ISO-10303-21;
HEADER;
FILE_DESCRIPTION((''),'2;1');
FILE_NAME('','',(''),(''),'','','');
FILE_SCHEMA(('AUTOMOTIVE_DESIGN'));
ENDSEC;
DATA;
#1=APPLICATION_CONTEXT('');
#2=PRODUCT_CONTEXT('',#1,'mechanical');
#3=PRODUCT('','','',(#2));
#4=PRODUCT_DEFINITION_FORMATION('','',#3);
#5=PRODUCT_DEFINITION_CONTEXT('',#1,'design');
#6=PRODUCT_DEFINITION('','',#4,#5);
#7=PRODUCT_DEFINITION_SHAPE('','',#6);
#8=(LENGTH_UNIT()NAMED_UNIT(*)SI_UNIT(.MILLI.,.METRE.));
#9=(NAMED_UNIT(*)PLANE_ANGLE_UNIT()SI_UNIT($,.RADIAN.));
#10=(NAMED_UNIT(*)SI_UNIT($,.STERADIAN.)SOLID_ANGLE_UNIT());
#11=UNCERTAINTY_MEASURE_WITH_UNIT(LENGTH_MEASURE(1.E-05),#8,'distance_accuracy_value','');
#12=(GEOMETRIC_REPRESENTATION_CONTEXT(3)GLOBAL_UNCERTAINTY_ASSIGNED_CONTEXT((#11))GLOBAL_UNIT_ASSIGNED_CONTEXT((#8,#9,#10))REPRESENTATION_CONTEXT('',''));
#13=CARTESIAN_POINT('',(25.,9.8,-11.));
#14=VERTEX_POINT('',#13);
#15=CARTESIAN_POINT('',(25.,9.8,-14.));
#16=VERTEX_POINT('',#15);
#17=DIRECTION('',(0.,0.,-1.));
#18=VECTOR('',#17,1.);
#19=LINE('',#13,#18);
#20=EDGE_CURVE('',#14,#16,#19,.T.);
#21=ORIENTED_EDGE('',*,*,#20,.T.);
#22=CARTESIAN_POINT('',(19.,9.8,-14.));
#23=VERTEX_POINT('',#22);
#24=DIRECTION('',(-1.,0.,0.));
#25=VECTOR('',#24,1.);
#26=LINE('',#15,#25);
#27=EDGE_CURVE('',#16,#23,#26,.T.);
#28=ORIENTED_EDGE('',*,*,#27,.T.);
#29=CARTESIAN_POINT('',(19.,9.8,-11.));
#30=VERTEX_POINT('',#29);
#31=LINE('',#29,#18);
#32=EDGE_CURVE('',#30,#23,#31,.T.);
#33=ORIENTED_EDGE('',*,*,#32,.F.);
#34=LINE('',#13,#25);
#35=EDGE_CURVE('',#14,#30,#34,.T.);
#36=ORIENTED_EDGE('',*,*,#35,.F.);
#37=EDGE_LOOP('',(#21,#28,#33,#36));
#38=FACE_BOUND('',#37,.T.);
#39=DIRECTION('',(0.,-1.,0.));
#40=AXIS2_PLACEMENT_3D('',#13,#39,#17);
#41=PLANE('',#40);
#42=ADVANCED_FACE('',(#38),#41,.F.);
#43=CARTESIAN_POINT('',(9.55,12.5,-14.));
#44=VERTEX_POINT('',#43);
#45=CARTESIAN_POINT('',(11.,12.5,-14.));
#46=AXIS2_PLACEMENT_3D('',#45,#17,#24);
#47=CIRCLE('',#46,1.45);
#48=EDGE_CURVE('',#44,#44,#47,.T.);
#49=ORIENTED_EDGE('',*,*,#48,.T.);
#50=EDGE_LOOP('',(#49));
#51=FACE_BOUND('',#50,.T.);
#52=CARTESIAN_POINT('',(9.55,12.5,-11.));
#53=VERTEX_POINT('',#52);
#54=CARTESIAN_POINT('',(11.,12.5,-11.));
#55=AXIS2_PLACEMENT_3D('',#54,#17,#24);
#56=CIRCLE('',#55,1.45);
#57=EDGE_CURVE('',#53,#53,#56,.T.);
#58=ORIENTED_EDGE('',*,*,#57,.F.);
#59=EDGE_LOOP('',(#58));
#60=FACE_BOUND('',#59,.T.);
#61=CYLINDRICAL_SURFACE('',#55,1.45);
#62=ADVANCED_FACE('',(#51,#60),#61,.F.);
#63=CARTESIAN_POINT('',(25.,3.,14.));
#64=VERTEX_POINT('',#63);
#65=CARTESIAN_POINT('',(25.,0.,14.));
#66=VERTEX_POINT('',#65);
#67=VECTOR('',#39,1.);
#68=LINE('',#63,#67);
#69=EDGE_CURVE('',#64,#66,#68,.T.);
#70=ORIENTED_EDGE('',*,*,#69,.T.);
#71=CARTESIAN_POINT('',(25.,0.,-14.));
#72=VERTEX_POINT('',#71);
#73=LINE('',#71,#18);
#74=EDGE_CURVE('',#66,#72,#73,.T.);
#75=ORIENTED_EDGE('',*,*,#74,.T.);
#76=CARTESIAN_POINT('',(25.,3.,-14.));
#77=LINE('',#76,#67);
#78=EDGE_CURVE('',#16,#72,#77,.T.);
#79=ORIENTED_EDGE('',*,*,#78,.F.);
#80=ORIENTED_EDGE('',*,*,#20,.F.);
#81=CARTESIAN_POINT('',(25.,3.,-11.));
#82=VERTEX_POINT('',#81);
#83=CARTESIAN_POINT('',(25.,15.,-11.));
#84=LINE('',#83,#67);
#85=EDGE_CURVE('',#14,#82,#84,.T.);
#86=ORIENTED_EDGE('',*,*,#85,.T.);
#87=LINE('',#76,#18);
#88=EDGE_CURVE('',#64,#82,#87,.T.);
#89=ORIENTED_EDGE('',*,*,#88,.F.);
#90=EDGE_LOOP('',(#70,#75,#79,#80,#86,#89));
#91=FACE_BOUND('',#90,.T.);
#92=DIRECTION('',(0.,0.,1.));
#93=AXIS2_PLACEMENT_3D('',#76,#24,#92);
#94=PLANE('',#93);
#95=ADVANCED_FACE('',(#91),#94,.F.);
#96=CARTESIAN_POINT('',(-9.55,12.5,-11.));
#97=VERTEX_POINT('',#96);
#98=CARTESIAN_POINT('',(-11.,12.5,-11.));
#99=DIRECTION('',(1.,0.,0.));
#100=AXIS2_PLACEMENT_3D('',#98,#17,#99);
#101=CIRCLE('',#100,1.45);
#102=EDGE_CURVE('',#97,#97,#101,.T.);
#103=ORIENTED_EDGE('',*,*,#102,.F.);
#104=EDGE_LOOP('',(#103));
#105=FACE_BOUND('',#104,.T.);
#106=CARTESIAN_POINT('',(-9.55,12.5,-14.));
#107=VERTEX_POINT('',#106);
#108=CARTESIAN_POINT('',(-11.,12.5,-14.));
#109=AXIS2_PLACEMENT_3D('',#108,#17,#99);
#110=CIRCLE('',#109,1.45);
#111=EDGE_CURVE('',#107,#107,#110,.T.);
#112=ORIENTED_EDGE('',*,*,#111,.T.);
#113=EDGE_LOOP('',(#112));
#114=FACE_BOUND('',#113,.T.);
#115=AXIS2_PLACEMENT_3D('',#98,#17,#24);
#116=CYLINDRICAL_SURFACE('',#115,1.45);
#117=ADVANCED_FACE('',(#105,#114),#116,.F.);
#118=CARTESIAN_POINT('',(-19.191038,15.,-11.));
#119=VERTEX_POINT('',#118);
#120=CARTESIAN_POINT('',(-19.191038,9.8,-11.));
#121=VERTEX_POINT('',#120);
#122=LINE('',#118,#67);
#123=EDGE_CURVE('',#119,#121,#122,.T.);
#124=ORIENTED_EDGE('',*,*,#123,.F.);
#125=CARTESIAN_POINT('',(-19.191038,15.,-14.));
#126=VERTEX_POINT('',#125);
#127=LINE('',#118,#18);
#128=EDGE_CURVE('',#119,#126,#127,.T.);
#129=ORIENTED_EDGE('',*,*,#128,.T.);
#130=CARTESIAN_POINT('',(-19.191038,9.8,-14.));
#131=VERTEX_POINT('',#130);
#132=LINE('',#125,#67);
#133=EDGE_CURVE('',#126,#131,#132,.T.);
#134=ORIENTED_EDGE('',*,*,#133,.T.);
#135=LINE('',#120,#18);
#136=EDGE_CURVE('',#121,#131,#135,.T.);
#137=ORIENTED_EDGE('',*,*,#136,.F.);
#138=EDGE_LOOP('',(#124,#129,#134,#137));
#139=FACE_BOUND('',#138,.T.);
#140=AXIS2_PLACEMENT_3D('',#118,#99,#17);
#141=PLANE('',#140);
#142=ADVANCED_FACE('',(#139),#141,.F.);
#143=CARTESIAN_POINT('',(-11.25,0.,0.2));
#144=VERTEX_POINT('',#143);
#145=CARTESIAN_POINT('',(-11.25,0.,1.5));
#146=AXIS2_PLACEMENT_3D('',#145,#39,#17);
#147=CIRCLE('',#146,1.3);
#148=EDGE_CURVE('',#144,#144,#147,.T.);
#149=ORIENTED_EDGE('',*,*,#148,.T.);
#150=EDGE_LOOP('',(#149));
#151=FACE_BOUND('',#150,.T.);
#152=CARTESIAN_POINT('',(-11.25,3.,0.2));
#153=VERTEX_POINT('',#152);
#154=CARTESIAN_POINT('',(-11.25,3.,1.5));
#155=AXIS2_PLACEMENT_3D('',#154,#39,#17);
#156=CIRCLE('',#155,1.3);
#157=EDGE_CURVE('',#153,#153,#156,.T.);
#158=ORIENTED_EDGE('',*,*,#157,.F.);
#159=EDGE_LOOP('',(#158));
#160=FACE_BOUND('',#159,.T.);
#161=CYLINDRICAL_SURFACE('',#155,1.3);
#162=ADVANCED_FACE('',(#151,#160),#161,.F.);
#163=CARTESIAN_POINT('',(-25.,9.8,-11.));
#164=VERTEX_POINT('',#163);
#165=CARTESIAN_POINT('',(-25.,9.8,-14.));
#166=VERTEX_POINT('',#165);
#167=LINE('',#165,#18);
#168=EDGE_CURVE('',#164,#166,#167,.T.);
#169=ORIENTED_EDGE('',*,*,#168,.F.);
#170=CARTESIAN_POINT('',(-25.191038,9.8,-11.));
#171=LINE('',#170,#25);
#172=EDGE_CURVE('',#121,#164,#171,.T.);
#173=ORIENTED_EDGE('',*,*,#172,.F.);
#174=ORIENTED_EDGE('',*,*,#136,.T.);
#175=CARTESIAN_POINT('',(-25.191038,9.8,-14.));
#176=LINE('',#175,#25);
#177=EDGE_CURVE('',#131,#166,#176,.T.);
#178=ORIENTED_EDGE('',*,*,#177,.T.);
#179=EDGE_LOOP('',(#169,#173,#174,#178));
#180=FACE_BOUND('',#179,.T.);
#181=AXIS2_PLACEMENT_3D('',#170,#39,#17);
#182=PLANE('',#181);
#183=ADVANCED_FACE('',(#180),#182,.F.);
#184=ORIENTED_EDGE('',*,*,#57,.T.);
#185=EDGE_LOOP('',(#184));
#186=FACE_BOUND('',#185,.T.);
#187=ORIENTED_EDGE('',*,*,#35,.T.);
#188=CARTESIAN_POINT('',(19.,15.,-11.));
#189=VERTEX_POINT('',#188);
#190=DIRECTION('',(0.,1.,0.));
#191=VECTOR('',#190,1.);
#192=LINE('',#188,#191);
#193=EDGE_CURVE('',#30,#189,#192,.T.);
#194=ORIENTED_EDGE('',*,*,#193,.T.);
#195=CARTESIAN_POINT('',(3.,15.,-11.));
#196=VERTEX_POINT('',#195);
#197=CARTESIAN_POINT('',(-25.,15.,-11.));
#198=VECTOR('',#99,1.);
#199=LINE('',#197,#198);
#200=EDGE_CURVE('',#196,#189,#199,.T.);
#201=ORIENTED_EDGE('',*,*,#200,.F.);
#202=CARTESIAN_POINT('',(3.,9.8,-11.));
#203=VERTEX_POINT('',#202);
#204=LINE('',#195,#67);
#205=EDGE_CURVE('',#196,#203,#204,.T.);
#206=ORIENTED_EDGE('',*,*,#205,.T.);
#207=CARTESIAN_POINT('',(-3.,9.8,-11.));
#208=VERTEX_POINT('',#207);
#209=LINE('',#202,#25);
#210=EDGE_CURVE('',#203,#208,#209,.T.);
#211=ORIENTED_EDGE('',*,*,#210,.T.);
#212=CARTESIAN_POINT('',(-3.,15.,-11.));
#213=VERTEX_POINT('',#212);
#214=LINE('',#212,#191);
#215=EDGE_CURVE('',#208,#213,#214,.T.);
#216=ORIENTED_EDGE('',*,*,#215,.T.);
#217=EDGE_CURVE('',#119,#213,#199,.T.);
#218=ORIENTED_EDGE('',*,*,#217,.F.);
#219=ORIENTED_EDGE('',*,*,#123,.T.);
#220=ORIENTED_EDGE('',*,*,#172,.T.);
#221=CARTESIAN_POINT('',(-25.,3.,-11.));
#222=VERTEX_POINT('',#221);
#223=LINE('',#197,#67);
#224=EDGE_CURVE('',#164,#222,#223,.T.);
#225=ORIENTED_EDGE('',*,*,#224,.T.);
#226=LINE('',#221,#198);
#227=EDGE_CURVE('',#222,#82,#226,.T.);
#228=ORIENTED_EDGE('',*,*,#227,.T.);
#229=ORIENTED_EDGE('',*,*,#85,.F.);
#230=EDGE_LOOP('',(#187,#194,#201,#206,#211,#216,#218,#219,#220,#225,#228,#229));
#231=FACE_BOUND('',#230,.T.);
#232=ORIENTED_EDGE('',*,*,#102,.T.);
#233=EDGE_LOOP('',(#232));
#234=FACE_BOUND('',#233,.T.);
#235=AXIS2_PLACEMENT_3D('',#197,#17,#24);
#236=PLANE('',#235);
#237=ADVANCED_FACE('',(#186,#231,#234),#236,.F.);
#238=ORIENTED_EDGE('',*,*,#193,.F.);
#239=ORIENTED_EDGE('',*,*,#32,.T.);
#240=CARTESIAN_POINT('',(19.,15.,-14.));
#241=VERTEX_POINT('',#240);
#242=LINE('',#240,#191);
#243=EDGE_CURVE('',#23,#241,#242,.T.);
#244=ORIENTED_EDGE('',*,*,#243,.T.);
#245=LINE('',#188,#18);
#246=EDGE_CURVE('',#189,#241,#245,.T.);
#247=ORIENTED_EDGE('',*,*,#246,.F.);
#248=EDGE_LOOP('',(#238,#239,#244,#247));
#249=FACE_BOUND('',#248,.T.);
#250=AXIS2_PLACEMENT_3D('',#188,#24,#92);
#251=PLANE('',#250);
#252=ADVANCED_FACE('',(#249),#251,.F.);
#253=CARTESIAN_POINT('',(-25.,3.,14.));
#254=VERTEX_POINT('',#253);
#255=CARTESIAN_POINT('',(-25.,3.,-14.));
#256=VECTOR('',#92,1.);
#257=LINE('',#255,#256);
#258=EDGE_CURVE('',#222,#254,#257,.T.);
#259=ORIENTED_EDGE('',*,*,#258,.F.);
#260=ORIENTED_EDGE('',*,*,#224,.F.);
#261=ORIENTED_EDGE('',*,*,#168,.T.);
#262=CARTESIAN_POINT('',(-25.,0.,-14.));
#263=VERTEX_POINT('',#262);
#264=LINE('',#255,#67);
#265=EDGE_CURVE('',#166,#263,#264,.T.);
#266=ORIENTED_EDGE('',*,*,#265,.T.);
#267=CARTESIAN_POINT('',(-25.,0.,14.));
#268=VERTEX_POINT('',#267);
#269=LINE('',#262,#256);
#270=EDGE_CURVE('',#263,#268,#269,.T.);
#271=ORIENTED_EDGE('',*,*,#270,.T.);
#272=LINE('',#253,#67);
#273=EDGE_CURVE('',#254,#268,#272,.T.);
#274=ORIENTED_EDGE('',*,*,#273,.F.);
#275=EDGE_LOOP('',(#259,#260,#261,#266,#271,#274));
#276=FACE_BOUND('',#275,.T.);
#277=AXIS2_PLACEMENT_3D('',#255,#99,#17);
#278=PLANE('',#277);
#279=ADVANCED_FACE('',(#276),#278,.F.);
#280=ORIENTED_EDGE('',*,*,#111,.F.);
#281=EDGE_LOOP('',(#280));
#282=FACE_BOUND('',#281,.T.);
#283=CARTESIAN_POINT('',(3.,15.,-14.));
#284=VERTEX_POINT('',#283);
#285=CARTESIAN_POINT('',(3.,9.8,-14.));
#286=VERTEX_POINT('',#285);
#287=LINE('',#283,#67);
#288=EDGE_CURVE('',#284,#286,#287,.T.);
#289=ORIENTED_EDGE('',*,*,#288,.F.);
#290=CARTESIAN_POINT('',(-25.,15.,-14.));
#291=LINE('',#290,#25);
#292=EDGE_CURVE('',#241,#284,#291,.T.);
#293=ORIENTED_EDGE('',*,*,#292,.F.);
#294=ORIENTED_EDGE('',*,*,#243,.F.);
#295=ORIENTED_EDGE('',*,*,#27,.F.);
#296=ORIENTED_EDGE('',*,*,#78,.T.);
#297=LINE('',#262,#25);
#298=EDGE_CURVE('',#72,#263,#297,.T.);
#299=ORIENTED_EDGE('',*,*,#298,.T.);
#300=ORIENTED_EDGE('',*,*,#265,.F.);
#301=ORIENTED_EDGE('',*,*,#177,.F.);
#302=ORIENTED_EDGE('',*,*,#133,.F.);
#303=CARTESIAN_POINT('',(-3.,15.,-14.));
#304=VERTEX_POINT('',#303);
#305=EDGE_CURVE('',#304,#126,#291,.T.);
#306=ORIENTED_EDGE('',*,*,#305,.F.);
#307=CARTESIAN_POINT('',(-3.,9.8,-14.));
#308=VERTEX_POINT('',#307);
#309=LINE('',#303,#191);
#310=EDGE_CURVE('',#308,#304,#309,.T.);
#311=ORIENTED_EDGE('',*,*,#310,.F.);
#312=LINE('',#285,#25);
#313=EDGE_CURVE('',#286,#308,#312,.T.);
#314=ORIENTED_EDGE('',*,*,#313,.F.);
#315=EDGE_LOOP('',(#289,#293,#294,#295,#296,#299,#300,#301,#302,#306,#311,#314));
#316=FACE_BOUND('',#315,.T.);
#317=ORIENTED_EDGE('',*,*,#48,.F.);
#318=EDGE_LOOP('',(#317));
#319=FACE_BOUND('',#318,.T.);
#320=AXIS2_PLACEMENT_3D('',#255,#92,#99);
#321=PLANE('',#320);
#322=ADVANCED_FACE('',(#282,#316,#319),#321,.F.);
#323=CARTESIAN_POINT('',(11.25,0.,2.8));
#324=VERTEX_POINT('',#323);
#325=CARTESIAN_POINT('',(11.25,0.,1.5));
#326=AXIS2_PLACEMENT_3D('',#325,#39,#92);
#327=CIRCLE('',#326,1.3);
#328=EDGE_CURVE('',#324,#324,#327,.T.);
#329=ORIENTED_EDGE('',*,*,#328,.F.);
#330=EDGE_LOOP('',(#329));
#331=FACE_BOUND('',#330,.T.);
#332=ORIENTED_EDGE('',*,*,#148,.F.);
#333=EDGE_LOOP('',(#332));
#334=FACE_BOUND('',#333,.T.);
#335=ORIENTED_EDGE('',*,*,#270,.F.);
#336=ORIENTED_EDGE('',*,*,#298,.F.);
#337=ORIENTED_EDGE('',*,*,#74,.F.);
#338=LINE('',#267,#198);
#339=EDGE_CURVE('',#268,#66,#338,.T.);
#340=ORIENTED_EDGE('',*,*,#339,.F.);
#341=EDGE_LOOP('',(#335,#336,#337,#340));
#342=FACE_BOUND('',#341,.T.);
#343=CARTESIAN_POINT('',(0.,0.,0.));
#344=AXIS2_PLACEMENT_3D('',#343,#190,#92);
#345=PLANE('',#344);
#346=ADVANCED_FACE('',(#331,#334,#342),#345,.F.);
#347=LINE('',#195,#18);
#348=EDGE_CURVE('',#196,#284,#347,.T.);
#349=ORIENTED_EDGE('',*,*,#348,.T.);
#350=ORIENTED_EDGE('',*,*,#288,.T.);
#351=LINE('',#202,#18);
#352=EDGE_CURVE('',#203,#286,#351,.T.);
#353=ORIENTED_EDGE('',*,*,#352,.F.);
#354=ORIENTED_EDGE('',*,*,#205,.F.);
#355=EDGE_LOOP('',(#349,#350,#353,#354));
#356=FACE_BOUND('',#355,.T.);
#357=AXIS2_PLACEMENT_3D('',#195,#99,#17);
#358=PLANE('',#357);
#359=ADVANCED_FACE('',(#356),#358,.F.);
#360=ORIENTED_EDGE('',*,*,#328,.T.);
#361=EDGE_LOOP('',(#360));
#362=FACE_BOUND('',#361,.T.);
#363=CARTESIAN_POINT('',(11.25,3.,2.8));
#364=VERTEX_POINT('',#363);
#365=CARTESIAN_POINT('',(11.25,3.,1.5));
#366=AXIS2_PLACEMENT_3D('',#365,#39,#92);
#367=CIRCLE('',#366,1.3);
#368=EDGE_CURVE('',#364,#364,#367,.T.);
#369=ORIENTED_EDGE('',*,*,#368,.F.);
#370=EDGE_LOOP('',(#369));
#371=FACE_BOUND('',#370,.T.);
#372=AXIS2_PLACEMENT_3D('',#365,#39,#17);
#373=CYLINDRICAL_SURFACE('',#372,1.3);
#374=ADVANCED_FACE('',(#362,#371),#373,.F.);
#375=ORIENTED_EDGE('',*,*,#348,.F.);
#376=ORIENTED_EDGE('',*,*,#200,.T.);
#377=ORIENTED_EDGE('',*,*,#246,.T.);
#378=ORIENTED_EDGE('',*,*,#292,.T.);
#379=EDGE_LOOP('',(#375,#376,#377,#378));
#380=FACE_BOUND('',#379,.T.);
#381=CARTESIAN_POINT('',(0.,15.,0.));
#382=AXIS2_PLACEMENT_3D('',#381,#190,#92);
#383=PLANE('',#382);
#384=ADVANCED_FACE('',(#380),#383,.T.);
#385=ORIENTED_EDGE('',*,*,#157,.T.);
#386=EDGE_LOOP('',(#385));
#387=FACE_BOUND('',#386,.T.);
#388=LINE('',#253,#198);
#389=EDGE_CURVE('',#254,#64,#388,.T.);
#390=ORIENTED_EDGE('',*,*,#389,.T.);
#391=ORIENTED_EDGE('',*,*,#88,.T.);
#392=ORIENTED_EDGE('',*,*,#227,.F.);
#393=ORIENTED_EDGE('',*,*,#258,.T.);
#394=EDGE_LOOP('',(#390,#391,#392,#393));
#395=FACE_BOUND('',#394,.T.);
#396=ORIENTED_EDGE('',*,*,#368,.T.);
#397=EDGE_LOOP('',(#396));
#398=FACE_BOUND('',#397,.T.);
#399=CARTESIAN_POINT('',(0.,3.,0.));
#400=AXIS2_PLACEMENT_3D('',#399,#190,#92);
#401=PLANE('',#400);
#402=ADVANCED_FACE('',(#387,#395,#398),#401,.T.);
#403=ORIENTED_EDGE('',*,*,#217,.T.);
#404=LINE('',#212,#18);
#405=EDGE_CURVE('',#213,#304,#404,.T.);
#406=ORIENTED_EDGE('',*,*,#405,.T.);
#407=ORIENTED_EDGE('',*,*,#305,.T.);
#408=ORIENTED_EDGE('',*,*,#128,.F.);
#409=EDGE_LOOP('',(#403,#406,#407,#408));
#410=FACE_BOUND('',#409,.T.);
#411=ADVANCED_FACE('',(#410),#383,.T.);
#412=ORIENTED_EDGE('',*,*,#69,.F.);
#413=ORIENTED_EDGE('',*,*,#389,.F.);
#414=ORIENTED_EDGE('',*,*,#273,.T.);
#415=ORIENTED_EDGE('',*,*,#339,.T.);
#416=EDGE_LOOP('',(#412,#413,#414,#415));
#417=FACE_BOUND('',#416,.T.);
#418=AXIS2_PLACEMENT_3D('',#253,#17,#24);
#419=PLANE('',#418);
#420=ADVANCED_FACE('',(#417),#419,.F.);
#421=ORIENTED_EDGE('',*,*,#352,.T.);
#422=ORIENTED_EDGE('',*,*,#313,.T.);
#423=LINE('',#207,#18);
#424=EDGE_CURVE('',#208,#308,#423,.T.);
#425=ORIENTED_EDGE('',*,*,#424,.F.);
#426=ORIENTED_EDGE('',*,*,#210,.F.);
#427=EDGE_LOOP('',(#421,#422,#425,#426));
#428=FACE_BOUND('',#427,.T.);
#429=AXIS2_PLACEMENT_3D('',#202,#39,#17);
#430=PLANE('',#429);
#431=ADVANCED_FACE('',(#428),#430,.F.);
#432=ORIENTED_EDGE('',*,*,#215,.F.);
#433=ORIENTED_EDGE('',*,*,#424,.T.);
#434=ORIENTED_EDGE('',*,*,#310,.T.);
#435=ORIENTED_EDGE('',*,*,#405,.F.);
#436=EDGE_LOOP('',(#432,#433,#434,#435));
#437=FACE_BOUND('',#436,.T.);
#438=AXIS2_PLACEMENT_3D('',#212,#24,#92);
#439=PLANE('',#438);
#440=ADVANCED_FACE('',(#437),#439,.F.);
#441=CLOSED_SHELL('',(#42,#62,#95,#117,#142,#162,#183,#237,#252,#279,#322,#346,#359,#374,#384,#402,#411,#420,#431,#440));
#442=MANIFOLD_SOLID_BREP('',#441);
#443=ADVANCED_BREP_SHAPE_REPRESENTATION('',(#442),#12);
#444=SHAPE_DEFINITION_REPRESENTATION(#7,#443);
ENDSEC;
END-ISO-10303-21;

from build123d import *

# Parameters (mm, degrees)
SKETCH1_W           = 50
SKETCH1_H           = 28
BOSS_EXTRUDE1_DEPTH = 3
SKETCH2_W           = 50
SKETCH2_H           = 3
BOSS_EXTRUDE2_DEPTH = 12
SKETCH6_W           = 6
SKETCH6_H           = 5.2
CUT_EXTRUDE2_DEPTH  = 3
SKETCH7_R           = 1.3
CUT_EXTRUDE3_DEPTH  = 3
SKETCH8_R           = 1.45
CUT_EXTRUDE4_DEPTH  = 3


with BuildPart() as part:
    # Sketch1 → Boss-Extrude1 (new body)
    with BuildSketch(Plane(origin=(0, 0, 0), x_dir=(1, 0, 0), z_dir=(0, 1, 0))):
        Rectangle(SKETCH1_W, SKETCH1_H)
    extrude(amount=BOSS_EXTRUDE1_DEPTH)

    # Sketch2 → Boss-Extrude2 (add)
    with BuildSketch(Plane(origin=(0, 3, 0), x_dir=(1, 0, 0), z_dir=(0, 1, 0))):
        with Locations((0, 12.5)):
            Rectangle(SKETCH2_W, SKETCH2_H)
    extrude(amount=BOSS_EXTRUDE2_DEPTH)

    # Sketch6 → Cut-Extrude2 (cut)
    with BuildSketch(Plane(origin=(0, 0, -14), x_dir=(-1, 0, 0), z_dir=(0, 0, -1))):
        with Locations((-22, 12.4)):
            Rectangle(SKETCH6_W, SKETCH6_H)
        with Locations((0, 12.4)):
            Rectangle(SKETCH6_W, SKETCH6_H)
        with Locations((22.191038301, 12.4)):
            Rectangle(SKETCH6_W, SKETCH6_H)
    extrude(amount=-CUT_EXTRUDE2_DEPTH, mode=Mode.SUBTRACT)

    # Sketch7 → Cut-Extrude3 (cut)
    with BuildSketch(Plane.XZ):
        with Locations((-11.25, 1.5)):
            Circle(SKETCH7_R)
        with Locations((11.25, 1.5)):
            Circle(SKETCH7_R)
    extrude(amount=-CUT_EXTRUDE3_DEPTH, mode=Mode.SUBTRACT)

    # Sketch8 → Cut-Extrude4 (cut)
    with BuildSketch(Plane(origin=(0, 0, -14), x_dir=(-1, 0, 0), z_dir=(0, 0, -1))):
        with Locations((-11, 12.5)):
            Circle(SKETCH8_R)
        with Locations((11, 12.5)):
            Circle(SKETCH8_R)
    extrude(amount=-CUT_EXTRUDE4_DEPTH, mode=Mode.SUBTRACT)


solid = part.part
